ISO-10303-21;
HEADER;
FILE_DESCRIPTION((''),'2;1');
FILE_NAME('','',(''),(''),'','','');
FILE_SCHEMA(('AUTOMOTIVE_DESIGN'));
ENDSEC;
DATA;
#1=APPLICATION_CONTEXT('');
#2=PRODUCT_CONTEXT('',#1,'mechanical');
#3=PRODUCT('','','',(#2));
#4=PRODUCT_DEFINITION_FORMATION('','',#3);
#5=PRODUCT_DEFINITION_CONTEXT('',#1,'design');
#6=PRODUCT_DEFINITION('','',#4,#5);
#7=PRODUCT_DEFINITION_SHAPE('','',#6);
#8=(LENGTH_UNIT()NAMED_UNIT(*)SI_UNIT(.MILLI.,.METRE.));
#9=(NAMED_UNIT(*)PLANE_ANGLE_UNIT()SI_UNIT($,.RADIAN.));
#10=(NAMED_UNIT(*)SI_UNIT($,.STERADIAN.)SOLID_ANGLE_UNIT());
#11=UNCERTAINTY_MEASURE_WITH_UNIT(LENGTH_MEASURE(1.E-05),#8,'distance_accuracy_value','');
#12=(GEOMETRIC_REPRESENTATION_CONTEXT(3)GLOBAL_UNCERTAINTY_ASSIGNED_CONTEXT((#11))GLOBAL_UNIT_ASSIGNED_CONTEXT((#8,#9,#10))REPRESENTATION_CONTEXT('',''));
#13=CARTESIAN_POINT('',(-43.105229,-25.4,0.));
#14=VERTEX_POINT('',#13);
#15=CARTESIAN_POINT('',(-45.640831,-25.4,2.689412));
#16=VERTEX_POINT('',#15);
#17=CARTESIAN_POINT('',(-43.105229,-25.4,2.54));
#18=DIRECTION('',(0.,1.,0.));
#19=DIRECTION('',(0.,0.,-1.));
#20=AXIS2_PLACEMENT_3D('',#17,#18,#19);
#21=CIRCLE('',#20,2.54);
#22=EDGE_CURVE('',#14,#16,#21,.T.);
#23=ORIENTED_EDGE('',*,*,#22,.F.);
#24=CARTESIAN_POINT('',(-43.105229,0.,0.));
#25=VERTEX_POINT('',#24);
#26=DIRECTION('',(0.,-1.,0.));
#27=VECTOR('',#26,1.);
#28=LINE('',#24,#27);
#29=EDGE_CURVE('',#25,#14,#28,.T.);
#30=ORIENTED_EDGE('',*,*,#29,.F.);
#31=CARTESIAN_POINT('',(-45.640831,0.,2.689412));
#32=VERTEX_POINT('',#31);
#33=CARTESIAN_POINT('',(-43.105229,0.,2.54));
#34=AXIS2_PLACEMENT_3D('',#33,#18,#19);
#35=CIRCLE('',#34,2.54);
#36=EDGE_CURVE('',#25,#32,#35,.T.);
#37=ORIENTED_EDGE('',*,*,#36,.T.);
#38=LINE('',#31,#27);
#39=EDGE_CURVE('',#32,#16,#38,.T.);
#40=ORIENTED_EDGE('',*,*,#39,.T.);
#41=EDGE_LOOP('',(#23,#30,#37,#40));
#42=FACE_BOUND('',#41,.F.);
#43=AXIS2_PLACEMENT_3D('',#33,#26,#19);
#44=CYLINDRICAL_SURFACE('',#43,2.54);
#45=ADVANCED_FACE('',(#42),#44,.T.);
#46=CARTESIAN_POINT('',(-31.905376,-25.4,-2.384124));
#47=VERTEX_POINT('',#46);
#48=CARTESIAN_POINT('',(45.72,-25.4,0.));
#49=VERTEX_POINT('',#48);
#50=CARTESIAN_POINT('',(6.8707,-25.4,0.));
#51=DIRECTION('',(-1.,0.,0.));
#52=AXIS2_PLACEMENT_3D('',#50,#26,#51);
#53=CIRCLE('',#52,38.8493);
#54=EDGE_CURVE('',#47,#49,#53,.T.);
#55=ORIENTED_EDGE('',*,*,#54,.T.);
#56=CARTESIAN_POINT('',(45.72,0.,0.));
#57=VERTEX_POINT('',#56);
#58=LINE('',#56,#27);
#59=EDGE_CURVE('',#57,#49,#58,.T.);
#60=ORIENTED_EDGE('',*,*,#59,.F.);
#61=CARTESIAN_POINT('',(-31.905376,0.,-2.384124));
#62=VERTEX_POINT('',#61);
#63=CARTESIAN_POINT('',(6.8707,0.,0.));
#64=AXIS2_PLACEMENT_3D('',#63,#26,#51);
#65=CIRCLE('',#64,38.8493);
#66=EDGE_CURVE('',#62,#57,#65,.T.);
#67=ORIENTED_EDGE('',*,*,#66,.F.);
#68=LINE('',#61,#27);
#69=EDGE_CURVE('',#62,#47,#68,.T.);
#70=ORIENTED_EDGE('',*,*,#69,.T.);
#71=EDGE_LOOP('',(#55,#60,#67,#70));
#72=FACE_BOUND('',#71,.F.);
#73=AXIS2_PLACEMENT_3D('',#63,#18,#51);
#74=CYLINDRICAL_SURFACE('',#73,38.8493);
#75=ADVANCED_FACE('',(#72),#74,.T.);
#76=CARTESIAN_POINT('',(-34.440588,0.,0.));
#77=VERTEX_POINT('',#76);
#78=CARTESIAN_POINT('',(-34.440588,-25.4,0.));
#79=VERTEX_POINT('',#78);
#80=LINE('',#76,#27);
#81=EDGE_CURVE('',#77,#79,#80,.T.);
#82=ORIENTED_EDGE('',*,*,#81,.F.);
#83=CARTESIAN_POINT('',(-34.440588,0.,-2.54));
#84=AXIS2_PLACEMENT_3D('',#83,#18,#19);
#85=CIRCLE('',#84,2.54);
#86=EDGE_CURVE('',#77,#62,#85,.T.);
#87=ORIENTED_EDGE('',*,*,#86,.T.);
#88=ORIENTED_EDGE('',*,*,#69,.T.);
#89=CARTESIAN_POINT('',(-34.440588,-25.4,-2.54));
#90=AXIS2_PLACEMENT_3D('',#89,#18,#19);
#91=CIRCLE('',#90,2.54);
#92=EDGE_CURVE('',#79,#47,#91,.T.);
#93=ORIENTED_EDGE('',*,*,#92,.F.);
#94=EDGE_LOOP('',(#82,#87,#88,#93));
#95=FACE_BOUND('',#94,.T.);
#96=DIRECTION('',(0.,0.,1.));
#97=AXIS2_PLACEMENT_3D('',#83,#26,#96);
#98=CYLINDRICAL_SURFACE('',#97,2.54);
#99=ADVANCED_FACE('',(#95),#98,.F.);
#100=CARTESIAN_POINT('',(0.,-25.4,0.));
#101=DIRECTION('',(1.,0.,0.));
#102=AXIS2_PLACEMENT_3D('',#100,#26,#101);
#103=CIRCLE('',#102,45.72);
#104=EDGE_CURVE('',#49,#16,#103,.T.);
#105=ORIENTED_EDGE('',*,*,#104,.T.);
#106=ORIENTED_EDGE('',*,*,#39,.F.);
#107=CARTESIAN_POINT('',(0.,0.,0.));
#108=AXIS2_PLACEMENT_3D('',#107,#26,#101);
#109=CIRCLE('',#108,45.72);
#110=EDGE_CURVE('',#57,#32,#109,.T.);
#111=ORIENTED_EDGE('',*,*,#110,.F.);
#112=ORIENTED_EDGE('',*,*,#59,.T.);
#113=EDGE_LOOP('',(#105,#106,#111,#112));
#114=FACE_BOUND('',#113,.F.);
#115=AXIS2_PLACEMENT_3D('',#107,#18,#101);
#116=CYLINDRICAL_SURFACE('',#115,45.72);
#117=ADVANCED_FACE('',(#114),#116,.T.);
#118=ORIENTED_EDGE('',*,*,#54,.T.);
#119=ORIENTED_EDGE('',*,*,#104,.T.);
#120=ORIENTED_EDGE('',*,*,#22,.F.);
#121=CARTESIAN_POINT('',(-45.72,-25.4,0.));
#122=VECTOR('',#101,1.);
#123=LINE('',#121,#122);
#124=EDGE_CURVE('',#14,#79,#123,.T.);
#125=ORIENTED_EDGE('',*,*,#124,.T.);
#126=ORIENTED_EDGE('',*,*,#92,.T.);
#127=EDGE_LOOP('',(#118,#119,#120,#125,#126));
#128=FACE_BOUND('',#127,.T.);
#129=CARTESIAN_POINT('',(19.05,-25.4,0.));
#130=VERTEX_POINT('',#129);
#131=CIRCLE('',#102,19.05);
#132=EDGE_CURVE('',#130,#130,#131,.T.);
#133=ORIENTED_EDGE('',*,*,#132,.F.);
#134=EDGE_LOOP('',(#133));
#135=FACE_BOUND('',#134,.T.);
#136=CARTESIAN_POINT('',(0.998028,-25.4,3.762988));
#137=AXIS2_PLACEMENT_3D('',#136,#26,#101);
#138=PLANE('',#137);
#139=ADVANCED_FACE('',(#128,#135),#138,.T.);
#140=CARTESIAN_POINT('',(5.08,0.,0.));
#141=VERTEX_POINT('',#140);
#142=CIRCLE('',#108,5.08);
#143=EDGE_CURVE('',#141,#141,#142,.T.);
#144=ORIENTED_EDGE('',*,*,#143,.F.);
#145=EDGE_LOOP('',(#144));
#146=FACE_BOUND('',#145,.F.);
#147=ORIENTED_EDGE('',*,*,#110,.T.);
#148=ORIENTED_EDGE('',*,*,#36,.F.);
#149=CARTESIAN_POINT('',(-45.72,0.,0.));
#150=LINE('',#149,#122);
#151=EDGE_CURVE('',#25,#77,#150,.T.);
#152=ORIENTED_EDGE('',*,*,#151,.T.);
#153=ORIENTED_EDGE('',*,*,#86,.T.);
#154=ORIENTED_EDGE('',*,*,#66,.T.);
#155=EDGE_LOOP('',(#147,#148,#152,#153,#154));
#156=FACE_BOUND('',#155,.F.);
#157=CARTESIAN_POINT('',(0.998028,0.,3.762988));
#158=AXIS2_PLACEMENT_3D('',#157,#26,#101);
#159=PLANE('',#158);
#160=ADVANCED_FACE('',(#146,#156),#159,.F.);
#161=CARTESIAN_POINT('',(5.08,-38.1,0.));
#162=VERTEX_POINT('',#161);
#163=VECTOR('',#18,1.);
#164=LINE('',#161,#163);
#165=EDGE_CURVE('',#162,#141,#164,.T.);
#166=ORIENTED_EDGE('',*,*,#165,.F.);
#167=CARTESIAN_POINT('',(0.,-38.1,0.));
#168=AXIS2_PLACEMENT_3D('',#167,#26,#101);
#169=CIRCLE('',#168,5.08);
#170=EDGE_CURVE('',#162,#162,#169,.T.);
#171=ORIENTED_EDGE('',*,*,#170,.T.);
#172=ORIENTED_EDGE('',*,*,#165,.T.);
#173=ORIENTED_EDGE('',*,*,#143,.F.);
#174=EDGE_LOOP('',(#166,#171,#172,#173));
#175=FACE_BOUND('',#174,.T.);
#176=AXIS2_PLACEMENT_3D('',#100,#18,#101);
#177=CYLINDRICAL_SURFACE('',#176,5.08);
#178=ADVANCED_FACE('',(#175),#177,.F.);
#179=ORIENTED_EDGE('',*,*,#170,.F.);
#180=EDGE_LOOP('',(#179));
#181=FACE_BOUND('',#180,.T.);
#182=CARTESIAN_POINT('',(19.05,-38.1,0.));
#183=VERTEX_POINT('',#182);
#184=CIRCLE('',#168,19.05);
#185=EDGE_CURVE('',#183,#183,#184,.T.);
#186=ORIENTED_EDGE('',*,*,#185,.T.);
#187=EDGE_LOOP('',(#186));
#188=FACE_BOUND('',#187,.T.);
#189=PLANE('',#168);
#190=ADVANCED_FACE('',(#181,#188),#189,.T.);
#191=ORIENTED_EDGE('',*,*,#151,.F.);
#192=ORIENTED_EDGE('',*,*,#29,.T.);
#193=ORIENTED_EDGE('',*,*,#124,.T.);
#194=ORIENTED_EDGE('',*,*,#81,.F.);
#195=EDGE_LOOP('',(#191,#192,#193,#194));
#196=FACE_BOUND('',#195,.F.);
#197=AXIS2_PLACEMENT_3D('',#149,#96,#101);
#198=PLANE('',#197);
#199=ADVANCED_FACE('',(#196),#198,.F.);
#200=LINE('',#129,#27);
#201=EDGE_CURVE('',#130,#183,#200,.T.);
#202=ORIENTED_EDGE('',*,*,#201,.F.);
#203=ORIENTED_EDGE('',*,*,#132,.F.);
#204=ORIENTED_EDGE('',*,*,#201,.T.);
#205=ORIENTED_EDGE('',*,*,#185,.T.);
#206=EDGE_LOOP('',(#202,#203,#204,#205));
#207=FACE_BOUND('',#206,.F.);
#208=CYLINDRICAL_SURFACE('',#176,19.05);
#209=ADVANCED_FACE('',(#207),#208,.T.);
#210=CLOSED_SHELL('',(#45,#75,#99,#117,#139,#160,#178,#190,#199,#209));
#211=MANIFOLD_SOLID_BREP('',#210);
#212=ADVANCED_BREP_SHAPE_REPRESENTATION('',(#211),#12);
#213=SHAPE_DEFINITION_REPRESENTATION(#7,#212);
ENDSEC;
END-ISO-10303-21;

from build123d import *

# Parameters (mm, degrees)
F1_DEPTH = 25.4
F2_R     = 5.08
F3_DEPTH = 127
F4_R     = 2.54
F5_R     = 2.54
F6_R     = 19.05
F6_R_2   = 5.08
F7_DEPTH = 12.7


with BuildPart() as f1:
    # F0 (on Front) → F1 (new body)
    with BuildSketch(Plane.XZ):
        with BuildLine():
            ThreePointArc((-31.9786, 0), (6.8707, -38.8493), (45.72, 0))
            ThreePointArc((45.72, 0), (0, 45.72), (-45.72, 0))
            Line((-45.72, 0), (-31.9786, 0))
        make_face()
    extrude(amount=F1_DEPTH)

    # F2 (on face) → F3 (cut, symmetric)
    with BuildSketch(Plane.XZ.offset(25.4)):
        Circle(F2_R)
    extrude(amount=F3_DEPTH, both=True, mode=Mode.SUBTRACT)

    # F4
    f4_edges = [f1.edges().sort_by_distance(p)[0] for p in [
        (-45.72, -12.7, 0),
    ]]
    fillet(f4_edges, radius=F4_R)

    # F5
    f5_edges = [f1.edges().sort_by_distance(p)[0] for p in [
        (-31.9786, -12.7, 0),
    ]]
    fillet(f5_edges, radius=F5_R)

    # F6 (on face) → F7 (join)
    with BuildSketch(Plane.XZ.offset(25.4)):
        Circle(F6_R)
        Circle(F6_R_2, mode=Mode.SUBTRACT)
    extrude(amount=F7_DEPTH)


solid = f1.part
